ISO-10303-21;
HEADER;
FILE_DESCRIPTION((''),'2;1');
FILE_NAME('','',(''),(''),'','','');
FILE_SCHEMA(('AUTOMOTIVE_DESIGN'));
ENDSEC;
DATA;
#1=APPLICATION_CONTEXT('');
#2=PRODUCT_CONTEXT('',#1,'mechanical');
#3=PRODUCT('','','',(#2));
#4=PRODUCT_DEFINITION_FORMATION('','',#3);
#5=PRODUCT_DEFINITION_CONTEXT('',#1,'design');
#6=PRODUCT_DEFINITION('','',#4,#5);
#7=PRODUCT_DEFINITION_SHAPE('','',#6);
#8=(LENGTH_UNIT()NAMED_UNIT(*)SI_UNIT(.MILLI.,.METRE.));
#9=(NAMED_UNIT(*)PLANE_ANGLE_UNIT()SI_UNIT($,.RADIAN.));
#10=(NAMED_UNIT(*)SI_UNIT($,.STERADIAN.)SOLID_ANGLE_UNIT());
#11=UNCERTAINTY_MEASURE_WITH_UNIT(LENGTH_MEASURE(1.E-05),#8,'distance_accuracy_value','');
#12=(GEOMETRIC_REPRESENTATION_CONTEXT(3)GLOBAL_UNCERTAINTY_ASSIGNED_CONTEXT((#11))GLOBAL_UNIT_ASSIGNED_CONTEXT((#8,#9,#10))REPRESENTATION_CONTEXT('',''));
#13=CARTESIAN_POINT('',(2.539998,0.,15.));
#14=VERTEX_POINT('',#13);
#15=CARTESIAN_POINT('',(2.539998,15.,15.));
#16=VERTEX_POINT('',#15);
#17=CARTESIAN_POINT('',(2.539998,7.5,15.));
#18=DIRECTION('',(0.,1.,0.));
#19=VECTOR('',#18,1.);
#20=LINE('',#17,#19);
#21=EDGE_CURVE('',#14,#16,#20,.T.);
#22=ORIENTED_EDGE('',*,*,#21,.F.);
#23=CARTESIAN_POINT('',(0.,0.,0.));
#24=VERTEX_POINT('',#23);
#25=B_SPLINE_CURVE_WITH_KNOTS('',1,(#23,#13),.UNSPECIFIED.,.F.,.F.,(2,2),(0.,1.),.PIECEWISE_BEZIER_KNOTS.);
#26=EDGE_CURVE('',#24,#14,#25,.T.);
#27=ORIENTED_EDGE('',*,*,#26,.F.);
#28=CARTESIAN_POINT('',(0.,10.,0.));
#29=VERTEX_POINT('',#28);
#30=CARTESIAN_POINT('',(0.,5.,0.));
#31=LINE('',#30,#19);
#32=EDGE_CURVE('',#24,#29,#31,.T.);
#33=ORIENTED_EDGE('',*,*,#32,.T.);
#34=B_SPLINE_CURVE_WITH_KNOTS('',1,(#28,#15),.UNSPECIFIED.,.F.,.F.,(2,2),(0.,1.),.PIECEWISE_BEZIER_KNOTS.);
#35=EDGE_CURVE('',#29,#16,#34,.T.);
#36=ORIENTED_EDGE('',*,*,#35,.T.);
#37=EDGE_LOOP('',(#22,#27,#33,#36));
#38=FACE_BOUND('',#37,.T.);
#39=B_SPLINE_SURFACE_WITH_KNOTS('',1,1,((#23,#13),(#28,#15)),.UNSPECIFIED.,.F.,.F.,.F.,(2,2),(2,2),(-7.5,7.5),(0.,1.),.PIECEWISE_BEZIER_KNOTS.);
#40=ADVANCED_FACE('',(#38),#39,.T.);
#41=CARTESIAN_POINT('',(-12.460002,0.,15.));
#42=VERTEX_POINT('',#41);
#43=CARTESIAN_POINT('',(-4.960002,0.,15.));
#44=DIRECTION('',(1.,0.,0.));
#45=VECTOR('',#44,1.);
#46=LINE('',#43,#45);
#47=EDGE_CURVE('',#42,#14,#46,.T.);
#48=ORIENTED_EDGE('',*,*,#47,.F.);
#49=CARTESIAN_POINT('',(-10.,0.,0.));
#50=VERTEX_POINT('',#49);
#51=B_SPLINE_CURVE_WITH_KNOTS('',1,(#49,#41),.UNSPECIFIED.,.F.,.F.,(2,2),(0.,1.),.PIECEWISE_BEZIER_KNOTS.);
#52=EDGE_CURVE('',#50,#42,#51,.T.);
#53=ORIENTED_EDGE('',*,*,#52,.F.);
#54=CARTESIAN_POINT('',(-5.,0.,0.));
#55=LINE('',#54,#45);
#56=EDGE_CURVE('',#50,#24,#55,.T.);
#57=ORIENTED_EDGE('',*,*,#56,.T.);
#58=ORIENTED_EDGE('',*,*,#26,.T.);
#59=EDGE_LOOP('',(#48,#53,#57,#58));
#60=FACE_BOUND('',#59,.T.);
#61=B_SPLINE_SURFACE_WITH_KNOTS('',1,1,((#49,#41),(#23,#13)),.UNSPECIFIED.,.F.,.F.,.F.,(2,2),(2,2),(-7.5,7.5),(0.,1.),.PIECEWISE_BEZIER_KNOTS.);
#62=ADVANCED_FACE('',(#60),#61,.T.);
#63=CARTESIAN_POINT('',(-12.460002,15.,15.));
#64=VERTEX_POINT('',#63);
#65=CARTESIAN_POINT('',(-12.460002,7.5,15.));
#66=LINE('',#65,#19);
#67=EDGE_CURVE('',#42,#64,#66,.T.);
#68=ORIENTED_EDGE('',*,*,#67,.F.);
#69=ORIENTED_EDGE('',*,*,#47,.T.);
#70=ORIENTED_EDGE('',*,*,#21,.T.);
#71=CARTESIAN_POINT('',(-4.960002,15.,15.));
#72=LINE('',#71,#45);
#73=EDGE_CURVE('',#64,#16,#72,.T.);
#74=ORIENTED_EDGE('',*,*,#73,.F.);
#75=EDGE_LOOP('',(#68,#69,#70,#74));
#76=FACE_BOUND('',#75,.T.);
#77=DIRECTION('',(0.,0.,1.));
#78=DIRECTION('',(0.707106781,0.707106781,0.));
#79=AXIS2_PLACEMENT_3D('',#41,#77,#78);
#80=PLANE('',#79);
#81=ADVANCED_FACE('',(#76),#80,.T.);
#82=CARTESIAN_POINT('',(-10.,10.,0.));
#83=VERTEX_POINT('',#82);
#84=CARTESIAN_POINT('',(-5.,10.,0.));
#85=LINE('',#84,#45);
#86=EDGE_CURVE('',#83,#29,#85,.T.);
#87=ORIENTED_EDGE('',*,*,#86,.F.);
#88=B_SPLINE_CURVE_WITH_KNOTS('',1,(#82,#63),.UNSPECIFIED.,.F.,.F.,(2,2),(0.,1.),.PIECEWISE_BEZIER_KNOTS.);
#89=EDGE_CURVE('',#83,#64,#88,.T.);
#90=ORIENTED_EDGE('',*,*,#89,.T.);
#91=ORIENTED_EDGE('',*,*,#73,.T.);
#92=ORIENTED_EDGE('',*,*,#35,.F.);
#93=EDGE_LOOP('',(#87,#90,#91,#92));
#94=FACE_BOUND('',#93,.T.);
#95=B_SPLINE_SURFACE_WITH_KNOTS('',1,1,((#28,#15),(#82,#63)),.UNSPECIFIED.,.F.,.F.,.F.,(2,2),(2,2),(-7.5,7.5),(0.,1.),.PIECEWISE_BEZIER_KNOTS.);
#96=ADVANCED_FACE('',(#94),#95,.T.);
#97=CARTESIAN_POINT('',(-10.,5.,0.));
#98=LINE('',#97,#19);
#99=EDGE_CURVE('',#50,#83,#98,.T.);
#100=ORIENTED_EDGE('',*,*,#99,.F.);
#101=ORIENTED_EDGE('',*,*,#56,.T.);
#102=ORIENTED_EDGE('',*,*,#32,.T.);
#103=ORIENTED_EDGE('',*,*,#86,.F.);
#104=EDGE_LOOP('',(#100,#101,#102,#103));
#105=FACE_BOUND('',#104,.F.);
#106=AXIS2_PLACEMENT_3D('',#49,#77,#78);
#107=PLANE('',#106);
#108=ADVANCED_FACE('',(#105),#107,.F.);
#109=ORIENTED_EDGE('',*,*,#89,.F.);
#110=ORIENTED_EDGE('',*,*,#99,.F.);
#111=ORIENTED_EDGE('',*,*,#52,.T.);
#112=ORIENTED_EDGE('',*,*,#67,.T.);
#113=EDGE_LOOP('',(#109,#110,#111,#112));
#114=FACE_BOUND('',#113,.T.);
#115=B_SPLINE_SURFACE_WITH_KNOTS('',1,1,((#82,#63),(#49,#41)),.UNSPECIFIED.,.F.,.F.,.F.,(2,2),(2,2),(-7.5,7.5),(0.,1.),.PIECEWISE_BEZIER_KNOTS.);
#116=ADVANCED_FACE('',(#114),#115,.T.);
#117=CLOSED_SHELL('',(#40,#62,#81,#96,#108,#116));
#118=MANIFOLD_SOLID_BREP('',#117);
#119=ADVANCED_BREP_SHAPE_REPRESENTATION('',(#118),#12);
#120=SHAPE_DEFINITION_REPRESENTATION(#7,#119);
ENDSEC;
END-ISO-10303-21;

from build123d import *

# Parameters (mm, degrees)
F0_W = 10
F0_H = 10
F2_W = 15
F2_H = 15


with BuildPart() as f3:
    # F0 (on Top) → F3 section 0
    with BuildSketch(Plane.XY):
        with Locations((-5, 5)):
            Rectangle(F0_W, F0_H)
    # F2 (on offset) → F3 section 1
    with BuildSketch(Plane.XY.offset(15)):
        with Locations((-4.960002, 7.5)):
            Rectangle(F2_W, F2_H)
    loft()


solid = f3.part
